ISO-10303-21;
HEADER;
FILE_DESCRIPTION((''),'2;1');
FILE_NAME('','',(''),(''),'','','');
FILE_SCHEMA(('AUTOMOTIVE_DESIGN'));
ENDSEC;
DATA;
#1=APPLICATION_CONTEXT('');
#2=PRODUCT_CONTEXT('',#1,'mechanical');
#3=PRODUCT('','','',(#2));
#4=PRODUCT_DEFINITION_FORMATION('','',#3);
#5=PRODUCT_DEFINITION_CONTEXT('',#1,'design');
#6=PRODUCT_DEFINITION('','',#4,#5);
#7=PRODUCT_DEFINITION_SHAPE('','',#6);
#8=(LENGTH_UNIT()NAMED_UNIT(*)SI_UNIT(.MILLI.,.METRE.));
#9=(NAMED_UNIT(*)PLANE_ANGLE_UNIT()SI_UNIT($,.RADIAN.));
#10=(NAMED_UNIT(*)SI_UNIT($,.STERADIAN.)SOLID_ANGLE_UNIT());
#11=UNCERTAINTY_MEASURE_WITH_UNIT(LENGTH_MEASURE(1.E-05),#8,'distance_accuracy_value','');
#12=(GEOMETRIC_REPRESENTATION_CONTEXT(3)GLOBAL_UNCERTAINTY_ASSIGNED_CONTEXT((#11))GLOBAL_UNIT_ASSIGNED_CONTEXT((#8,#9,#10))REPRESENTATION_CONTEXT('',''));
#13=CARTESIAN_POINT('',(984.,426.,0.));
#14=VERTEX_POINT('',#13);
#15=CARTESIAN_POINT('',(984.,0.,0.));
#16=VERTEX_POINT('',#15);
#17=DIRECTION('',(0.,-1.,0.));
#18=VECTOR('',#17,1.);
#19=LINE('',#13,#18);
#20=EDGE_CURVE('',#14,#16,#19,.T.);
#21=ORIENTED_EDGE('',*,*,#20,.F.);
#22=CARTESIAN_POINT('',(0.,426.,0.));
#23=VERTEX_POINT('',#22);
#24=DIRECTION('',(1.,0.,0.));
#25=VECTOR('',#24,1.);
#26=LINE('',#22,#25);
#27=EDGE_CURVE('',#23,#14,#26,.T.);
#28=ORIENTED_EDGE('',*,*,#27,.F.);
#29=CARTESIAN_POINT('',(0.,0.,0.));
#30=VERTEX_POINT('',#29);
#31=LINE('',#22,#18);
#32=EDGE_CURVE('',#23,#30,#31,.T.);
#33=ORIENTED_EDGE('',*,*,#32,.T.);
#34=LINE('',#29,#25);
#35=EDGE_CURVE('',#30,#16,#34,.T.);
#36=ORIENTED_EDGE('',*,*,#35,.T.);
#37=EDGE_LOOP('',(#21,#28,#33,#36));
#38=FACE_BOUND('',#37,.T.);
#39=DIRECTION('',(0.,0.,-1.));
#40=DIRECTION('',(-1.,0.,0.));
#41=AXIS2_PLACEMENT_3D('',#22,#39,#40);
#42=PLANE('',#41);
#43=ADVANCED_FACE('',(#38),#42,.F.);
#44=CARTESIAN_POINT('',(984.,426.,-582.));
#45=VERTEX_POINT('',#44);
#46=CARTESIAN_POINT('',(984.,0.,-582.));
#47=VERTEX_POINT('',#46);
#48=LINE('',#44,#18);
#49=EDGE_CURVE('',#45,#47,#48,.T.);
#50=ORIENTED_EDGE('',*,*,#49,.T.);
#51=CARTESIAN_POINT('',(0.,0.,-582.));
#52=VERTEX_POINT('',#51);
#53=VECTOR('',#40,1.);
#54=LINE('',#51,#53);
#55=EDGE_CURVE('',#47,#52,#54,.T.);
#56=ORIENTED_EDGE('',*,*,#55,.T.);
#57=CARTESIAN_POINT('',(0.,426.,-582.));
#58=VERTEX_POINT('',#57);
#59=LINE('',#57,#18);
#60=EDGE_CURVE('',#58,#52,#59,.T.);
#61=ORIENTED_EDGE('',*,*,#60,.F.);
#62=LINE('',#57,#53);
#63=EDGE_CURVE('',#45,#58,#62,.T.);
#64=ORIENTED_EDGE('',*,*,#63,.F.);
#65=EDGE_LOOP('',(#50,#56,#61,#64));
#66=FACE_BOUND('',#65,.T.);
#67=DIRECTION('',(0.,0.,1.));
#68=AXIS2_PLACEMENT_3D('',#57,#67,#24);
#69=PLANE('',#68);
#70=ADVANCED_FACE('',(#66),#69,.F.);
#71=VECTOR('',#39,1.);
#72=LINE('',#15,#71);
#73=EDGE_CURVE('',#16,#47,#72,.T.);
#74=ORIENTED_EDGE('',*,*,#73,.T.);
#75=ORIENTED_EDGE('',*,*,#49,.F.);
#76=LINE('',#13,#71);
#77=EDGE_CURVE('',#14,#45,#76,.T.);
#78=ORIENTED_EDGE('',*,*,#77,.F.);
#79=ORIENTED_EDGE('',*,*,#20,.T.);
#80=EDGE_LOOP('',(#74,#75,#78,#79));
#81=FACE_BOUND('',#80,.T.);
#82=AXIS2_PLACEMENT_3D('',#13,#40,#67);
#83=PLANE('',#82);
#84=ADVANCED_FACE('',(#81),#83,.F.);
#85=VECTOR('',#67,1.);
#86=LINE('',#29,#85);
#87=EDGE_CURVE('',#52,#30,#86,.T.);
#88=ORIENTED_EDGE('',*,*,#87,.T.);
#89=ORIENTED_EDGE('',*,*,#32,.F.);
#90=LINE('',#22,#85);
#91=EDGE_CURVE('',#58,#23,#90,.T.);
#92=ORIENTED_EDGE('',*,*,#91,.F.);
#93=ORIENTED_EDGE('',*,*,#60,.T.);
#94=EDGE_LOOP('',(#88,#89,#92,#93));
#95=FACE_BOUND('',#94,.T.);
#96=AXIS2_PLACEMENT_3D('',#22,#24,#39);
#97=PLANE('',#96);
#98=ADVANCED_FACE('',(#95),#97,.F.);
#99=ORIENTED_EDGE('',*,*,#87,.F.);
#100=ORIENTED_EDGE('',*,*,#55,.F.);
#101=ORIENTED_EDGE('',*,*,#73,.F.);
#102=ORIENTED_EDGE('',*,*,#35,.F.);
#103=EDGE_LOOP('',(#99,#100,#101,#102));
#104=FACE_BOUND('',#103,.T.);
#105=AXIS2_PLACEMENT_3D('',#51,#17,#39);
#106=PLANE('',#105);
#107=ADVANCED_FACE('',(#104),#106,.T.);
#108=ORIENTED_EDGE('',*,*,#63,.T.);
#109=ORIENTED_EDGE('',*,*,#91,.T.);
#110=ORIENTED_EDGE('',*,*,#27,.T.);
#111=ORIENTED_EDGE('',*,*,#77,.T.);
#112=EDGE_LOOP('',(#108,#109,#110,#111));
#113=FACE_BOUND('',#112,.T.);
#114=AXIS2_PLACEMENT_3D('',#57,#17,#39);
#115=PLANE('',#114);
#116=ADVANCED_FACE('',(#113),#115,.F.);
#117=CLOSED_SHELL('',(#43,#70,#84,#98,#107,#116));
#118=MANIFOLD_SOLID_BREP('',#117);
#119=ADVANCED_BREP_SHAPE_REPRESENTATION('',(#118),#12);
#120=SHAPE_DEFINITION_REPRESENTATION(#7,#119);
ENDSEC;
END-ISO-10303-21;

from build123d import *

# Parameters (mm, degrees)
SKETCH1_W      = 984
SKETCH1_H      = 582
EXTRUDE1_DEPTH = 426


with BuildPart() as part:
    # Sketch1 → Extrude1 (new body)
    with BuildSketch(Plane(origin=(0, 0, 0), x_dir=(1, 0, 0), z_dir=(0, 1, 0))):
        with Locations((492, 291)):
            Rectangle(SKETCH1_W, SKETCH1_H)
    extrude(amount=EXTRUDE1_DEPTH)


solid = part.part
